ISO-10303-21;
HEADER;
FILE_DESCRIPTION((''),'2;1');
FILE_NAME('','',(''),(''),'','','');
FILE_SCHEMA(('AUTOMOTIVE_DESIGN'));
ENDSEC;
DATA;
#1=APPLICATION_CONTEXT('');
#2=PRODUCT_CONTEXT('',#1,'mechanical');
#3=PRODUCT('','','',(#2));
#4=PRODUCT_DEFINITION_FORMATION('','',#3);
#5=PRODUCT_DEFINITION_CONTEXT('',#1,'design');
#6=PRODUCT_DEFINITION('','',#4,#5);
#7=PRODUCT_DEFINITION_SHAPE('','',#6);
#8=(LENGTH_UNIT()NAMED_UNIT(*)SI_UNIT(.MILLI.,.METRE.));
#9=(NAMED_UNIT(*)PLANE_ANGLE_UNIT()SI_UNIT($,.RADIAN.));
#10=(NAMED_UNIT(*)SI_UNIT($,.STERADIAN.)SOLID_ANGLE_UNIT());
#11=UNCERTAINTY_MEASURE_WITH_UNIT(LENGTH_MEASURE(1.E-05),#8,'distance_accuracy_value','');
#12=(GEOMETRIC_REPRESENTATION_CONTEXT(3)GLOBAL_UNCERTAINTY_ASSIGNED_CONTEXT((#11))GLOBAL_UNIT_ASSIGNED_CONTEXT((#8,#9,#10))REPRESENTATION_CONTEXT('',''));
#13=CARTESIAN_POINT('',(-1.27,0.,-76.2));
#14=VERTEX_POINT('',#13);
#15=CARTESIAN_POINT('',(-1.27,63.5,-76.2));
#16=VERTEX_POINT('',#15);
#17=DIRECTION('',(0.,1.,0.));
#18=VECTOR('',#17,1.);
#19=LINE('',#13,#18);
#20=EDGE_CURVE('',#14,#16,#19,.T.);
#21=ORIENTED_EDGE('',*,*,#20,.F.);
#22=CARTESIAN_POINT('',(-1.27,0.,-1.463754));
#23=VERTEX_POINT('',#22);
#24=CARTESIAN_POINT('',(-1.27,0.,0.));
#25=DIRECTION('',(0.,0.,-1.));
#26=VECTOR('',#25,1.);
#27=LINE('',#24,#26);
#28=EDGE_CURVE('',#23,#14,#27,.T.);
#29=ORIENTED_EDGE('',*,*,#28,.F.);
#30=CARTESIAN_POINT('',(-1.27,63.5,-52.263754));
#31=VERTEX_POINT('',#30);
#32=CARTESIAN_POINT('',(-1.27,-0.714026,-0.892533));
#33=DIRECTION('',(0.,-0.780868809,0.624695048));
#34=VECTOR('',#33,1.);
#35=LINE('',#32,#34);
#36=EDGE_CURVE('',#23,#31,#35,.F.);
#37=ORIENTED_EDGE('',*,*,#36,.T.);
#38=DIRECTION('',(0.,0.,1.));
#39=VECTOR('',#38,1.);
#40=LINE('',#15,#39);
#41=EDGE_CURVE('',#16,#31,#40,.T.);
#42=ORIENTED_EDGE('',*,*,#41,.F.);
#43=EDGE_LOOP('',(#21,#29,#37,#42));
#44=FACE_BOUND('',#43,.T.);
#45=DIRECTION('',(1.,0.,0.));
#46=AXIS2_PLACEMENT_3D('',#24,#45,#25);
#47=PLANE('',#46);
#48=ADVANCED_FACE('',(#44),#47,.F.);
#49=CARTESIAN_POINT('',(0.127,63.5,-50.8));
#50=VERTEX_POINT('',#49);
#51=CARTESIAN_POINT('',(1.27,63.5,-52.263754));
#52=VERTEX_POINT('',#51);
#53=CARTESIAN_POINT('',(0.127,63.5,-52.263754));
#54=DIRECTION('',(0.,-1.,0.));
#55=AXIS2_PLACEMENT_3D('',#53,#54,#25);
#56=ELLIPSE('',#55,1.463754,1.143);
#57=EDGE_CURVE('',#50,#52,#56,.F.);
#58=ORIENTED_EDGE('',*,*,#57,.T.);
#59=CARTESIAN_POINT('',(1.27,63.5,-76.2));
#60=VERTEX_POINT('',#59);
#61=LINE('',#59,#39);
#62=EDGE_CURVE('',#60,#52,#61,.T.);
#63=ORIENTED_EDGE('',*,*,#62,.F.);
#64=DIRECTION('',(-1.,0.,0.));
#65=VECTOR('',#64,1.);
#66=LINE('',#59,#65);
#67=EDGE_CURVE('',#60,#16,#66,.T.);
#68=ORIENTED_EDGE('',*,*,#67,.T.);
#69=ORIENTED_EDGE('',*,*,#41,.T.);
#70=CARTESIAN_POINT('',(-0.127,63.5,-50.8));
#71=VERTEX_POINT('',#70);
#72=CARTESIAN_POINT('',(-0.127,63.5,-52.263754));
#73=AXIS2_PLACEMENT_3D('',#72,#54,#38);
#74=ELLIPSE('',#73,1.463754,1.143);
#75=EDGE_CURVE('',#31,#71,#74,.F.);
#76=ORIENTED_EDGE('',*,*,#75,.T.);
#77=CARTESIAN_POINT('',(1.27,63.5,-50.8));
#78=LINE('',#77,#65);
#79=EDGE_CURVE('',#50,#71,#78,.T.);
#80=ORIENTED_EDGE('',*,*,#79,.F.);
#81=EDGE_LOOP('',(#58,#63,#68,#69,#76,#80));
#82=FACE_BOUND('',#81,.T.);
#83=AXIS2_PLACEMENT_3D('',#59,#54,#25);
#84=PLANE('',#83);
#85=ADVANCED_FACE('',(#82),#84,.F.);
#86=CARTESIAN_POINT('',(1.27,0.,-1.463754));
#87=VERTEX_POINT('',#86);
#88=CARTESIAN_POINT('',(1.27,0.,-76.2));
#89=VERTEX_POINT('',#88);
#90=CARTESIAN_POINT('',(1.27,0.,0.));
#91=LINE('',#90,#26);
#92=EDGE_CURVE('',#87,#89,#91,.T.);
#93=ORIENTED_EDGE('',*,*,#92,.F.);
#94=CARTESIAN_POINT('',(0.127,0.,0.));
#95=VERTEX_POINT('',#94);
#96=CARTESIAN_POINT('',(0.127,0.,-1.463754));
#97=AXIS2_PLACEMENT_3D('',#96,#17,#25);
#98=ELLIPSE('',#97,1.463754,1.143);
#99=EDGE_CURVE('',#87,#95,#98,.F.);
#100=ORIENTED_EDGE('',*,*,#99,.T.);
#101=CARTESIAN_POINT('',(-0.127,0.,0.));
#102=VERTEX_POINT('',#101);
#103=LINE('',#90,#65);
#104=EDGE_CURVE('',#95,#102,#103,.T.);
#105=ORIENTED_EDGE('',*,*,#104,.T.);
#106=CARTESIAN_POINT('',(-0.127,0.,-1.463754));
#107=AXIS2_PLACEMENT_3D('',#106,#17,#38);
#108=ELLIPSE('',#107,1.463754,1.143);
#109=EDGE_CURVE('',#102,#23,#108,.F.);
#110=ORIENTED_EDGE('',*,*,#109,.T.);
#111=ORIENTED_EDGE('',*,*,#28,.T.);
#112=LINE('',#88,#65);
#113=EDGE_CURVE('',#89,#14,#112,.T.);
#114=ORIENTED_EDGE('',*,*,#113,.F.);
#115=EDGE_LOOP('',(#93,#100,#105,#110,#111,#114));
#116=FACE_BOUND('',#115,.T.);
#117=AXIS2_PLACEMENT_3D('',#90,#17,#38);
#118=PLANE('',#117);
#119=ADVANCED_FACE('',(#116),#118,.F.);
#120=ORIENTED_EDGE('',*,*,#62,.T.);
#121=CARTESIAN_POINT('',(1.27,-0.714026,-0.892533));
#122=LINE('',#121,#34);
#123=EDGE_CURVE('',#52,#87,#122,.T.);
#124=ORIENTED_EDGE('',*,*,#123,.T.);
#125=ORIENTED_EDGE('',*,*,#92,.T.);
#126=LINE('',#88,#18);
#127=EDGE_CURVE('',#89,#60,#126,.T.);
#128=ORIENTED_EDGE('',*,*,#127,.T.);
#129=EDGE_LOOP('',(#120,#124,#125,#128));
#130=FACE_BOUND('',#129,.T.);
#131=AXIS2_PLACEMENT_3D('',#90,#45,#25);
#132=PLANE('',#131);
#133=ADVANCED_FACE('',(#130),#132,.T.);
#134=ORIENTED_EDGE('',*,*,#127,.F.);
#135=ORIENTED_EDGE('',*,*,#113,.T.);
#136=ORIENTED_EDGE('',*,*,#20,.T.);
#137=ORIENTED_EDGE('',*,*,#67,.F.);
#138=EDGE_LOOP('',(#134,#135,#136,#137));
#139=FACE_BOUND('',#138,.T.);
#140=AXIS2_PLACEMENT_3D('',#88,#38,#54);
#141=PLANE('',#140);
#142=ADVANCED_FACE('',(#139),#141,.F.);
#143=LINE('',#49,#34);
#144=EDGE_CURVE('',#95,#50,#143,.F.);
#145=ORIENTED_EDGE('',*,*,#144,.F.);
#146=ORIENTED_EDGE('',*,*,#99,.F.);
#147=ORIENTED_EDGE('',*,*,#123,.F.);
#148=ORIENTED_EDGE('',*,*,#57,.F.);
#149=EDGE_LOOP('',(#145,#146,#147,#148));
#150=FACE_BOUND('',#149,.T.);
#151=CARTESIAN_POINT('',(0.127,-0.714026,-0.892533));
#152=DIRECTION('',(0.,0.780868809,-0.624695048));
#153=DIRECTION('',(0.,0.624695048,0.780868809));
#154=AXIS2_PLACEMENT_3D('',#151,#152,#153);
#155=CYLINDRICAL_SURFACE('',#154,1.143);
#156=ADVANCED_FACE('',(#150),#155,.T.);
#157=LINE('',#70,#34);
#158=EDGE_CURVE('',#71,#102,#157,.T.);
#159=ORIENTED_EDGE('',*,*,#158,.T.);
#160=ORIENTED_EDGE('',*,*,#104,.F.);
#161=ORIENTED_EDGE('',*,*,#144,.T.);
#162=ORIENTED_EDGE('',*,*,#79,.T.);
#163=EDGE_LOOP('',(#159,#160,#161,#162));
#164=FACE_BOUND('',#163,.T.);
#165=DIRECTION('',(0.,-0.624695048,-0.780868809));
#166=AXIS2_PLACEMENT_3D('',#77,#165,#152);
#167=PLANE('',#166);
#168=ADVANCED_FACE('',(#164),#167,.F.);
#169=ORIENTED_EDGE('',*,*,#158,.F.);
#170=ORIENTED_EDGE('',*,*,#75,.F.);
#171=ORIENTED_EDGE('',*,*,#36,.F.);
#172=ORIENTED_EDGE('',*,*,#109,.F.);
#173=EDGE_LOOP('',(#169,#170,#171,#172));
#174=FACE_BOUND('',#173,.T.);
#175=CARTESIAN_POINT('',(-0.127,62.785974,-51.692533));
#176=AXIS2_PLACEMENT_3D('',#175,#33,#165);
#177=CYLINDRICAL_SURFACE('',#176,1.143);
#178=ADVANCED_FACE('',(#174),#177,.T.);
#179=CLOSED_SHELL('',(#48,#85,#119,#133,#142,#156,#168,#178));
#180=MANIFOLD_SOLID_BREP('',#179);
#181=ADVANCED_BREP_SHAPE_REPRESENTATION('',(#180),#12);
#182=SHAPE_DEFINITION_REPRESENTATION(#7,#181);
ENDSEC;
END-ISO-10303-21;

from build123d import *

# Parameters (mm, degrees)
BOSS_EXTRUDE1_DEPTH = 1.27
FILLET1_R           = 1.143


with BuildPart() as part:
    # Sketch1 → Boss-Extrude1 (new body, symmetric)
    with BuildSketch(Plane(origin=(0, 0, 0), x_dir=(0, 0, -1), z_dir=(1, 0, 0))):
        Polygon((0, 0), (76.2, 0), (76.2, 63.5), (50.8, 63.5), align=None)
    extrude(amount=BOSS_EXTRUDE1_DEPTH, both=True)

    # Fillet1
    fillet1_edges = [part.edges().sort_by_distance(p)[0] for p in [
        (1.27, 31.75, -25.4),
        (-1.27, 31.75, -25.4),
    ]]
    fillet(fillet1_edges, radius=FILLET1_R)


solid = part.part
